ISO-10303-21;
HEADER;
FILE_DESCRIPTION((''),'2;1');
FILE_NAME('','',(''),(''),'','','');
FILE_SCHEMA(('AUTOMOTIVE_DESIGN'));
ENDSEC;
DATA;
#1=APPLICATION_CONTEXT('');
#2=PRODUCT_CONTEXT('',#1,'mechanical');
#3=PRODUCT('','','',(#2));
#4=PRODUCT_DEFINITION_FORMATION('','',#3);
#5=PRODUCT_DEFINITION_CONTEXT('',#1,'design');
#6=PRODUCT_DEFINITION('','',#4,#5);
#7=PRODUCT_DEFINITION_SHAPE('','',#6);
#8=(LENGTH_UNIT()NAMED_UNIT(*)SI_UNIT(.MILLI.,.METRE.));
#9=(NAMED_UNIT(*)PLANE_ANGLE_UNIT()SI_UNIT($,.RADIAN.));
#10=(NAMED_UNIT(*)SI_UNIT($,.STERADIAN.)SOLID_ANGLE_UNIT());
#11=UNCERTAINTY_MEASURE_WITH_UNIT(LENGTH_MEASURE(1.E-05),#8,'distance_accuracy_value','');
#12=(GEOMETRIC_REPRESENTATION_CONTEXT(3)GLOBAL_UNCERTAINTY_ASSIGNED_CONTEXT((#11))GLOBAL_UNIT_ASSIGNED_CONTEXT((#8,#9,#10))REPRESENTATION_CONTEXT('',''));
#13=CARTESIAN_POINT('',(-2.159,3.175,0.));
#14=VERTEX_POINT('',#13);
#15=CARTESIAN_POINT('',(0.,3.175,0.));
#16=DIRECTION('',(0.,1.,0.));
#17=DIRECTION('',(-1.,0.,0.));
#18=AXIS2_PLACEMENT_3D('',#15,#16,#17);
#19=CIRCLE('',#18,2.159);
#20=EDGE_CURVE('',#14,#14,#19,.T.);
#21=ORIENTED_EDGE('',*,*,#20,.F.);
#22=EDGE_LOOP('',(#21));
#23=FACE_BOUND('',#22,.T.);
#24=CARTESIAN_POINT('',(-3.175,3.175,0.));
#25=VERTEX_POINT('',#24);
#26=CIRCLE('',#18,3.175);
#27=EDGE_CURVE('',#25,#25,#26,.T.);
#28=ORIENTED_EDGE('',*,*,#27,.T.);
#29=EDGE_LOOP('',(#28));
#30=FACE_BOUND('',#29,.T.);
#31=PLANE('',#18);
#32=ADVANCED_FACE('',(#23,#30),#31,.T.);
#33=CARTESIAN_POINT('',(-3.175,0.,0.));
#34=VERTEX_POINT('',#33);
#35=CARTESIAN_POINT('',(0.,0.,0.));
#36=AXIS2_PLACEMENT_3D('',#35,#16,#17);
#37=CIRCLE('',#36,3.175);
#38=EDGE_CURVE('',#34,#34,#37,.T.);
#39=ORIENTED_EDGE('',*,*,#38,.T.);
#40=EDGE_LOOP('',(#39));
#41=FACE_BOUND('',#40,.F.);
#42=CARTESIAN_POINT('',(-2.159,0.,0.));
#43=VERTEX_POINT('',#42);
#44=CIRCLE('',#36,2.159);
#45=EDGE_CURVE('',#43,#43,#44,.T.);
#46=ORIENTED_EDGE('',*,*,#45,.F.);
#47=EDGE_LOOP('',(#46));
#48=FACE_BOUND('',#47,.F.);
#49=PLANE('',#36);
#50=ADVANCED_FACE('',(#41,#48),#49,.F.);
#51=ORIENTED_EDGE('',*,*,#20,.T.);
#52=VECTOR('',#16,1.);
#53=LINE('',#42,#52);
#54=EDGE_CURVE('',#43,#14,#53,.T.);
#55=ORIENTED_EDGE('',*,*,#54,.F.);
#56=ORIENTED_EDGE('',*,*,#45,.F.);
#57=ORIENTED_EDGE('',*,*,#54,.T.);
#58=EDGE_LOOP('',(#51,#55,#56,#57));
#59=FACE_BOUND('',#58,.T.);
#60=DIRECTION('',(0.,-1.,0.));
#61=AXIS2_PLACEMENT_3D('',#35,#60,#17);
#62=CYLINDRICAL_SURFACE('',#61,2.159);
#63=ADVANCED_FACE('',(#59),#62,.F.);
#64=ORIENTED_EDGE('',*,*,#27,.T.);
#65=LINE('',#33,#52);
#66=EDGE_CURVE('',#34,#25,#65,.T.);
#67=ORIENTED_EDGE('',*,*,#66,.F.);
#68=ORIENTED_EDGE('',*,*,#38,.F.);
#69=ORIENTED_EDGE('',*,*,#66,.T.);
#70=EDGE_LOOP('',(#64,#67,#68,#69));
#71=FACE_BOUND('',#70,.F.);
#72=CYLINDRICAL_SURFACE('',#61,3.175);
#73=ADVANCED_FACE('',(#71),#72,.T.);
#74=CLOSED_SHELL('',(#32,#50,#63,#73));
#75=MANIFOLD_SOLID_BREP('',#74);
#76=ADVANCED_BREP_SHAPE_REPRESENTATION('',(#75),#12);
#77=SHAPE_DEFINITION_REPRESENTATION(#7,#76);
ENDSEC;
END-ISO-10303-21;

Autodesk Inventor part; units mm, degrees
ref_plane "YZ Plane" through (0, 0, 0) normal (1, 0, 0) x (0, 1, 0)
ref_plane "XZ Plane" through (0, 0, 0) normal (0, 1, 0) x (-1, 0, 0)
ref_plane "XY Plane" through (0, 0, 0) normal (0, 0, 1) x (1, 0, 0)
sketch "Sketch1" plane through (0, 0, 0) normal (0, 1, 0) x (-1, 0, 0)
  circle A0 centre (0, 0) radius 3.175
  circle A1 centre (0, 0) radius 2.159
  dimension "d0" = 6.35
  dimension "d1" = 4.318
extrude "Extrusion1" add sketch "Sketch1" along normal blind 3.175
properties part number "0.125 1-4 OD" material "Stainless Steel"
